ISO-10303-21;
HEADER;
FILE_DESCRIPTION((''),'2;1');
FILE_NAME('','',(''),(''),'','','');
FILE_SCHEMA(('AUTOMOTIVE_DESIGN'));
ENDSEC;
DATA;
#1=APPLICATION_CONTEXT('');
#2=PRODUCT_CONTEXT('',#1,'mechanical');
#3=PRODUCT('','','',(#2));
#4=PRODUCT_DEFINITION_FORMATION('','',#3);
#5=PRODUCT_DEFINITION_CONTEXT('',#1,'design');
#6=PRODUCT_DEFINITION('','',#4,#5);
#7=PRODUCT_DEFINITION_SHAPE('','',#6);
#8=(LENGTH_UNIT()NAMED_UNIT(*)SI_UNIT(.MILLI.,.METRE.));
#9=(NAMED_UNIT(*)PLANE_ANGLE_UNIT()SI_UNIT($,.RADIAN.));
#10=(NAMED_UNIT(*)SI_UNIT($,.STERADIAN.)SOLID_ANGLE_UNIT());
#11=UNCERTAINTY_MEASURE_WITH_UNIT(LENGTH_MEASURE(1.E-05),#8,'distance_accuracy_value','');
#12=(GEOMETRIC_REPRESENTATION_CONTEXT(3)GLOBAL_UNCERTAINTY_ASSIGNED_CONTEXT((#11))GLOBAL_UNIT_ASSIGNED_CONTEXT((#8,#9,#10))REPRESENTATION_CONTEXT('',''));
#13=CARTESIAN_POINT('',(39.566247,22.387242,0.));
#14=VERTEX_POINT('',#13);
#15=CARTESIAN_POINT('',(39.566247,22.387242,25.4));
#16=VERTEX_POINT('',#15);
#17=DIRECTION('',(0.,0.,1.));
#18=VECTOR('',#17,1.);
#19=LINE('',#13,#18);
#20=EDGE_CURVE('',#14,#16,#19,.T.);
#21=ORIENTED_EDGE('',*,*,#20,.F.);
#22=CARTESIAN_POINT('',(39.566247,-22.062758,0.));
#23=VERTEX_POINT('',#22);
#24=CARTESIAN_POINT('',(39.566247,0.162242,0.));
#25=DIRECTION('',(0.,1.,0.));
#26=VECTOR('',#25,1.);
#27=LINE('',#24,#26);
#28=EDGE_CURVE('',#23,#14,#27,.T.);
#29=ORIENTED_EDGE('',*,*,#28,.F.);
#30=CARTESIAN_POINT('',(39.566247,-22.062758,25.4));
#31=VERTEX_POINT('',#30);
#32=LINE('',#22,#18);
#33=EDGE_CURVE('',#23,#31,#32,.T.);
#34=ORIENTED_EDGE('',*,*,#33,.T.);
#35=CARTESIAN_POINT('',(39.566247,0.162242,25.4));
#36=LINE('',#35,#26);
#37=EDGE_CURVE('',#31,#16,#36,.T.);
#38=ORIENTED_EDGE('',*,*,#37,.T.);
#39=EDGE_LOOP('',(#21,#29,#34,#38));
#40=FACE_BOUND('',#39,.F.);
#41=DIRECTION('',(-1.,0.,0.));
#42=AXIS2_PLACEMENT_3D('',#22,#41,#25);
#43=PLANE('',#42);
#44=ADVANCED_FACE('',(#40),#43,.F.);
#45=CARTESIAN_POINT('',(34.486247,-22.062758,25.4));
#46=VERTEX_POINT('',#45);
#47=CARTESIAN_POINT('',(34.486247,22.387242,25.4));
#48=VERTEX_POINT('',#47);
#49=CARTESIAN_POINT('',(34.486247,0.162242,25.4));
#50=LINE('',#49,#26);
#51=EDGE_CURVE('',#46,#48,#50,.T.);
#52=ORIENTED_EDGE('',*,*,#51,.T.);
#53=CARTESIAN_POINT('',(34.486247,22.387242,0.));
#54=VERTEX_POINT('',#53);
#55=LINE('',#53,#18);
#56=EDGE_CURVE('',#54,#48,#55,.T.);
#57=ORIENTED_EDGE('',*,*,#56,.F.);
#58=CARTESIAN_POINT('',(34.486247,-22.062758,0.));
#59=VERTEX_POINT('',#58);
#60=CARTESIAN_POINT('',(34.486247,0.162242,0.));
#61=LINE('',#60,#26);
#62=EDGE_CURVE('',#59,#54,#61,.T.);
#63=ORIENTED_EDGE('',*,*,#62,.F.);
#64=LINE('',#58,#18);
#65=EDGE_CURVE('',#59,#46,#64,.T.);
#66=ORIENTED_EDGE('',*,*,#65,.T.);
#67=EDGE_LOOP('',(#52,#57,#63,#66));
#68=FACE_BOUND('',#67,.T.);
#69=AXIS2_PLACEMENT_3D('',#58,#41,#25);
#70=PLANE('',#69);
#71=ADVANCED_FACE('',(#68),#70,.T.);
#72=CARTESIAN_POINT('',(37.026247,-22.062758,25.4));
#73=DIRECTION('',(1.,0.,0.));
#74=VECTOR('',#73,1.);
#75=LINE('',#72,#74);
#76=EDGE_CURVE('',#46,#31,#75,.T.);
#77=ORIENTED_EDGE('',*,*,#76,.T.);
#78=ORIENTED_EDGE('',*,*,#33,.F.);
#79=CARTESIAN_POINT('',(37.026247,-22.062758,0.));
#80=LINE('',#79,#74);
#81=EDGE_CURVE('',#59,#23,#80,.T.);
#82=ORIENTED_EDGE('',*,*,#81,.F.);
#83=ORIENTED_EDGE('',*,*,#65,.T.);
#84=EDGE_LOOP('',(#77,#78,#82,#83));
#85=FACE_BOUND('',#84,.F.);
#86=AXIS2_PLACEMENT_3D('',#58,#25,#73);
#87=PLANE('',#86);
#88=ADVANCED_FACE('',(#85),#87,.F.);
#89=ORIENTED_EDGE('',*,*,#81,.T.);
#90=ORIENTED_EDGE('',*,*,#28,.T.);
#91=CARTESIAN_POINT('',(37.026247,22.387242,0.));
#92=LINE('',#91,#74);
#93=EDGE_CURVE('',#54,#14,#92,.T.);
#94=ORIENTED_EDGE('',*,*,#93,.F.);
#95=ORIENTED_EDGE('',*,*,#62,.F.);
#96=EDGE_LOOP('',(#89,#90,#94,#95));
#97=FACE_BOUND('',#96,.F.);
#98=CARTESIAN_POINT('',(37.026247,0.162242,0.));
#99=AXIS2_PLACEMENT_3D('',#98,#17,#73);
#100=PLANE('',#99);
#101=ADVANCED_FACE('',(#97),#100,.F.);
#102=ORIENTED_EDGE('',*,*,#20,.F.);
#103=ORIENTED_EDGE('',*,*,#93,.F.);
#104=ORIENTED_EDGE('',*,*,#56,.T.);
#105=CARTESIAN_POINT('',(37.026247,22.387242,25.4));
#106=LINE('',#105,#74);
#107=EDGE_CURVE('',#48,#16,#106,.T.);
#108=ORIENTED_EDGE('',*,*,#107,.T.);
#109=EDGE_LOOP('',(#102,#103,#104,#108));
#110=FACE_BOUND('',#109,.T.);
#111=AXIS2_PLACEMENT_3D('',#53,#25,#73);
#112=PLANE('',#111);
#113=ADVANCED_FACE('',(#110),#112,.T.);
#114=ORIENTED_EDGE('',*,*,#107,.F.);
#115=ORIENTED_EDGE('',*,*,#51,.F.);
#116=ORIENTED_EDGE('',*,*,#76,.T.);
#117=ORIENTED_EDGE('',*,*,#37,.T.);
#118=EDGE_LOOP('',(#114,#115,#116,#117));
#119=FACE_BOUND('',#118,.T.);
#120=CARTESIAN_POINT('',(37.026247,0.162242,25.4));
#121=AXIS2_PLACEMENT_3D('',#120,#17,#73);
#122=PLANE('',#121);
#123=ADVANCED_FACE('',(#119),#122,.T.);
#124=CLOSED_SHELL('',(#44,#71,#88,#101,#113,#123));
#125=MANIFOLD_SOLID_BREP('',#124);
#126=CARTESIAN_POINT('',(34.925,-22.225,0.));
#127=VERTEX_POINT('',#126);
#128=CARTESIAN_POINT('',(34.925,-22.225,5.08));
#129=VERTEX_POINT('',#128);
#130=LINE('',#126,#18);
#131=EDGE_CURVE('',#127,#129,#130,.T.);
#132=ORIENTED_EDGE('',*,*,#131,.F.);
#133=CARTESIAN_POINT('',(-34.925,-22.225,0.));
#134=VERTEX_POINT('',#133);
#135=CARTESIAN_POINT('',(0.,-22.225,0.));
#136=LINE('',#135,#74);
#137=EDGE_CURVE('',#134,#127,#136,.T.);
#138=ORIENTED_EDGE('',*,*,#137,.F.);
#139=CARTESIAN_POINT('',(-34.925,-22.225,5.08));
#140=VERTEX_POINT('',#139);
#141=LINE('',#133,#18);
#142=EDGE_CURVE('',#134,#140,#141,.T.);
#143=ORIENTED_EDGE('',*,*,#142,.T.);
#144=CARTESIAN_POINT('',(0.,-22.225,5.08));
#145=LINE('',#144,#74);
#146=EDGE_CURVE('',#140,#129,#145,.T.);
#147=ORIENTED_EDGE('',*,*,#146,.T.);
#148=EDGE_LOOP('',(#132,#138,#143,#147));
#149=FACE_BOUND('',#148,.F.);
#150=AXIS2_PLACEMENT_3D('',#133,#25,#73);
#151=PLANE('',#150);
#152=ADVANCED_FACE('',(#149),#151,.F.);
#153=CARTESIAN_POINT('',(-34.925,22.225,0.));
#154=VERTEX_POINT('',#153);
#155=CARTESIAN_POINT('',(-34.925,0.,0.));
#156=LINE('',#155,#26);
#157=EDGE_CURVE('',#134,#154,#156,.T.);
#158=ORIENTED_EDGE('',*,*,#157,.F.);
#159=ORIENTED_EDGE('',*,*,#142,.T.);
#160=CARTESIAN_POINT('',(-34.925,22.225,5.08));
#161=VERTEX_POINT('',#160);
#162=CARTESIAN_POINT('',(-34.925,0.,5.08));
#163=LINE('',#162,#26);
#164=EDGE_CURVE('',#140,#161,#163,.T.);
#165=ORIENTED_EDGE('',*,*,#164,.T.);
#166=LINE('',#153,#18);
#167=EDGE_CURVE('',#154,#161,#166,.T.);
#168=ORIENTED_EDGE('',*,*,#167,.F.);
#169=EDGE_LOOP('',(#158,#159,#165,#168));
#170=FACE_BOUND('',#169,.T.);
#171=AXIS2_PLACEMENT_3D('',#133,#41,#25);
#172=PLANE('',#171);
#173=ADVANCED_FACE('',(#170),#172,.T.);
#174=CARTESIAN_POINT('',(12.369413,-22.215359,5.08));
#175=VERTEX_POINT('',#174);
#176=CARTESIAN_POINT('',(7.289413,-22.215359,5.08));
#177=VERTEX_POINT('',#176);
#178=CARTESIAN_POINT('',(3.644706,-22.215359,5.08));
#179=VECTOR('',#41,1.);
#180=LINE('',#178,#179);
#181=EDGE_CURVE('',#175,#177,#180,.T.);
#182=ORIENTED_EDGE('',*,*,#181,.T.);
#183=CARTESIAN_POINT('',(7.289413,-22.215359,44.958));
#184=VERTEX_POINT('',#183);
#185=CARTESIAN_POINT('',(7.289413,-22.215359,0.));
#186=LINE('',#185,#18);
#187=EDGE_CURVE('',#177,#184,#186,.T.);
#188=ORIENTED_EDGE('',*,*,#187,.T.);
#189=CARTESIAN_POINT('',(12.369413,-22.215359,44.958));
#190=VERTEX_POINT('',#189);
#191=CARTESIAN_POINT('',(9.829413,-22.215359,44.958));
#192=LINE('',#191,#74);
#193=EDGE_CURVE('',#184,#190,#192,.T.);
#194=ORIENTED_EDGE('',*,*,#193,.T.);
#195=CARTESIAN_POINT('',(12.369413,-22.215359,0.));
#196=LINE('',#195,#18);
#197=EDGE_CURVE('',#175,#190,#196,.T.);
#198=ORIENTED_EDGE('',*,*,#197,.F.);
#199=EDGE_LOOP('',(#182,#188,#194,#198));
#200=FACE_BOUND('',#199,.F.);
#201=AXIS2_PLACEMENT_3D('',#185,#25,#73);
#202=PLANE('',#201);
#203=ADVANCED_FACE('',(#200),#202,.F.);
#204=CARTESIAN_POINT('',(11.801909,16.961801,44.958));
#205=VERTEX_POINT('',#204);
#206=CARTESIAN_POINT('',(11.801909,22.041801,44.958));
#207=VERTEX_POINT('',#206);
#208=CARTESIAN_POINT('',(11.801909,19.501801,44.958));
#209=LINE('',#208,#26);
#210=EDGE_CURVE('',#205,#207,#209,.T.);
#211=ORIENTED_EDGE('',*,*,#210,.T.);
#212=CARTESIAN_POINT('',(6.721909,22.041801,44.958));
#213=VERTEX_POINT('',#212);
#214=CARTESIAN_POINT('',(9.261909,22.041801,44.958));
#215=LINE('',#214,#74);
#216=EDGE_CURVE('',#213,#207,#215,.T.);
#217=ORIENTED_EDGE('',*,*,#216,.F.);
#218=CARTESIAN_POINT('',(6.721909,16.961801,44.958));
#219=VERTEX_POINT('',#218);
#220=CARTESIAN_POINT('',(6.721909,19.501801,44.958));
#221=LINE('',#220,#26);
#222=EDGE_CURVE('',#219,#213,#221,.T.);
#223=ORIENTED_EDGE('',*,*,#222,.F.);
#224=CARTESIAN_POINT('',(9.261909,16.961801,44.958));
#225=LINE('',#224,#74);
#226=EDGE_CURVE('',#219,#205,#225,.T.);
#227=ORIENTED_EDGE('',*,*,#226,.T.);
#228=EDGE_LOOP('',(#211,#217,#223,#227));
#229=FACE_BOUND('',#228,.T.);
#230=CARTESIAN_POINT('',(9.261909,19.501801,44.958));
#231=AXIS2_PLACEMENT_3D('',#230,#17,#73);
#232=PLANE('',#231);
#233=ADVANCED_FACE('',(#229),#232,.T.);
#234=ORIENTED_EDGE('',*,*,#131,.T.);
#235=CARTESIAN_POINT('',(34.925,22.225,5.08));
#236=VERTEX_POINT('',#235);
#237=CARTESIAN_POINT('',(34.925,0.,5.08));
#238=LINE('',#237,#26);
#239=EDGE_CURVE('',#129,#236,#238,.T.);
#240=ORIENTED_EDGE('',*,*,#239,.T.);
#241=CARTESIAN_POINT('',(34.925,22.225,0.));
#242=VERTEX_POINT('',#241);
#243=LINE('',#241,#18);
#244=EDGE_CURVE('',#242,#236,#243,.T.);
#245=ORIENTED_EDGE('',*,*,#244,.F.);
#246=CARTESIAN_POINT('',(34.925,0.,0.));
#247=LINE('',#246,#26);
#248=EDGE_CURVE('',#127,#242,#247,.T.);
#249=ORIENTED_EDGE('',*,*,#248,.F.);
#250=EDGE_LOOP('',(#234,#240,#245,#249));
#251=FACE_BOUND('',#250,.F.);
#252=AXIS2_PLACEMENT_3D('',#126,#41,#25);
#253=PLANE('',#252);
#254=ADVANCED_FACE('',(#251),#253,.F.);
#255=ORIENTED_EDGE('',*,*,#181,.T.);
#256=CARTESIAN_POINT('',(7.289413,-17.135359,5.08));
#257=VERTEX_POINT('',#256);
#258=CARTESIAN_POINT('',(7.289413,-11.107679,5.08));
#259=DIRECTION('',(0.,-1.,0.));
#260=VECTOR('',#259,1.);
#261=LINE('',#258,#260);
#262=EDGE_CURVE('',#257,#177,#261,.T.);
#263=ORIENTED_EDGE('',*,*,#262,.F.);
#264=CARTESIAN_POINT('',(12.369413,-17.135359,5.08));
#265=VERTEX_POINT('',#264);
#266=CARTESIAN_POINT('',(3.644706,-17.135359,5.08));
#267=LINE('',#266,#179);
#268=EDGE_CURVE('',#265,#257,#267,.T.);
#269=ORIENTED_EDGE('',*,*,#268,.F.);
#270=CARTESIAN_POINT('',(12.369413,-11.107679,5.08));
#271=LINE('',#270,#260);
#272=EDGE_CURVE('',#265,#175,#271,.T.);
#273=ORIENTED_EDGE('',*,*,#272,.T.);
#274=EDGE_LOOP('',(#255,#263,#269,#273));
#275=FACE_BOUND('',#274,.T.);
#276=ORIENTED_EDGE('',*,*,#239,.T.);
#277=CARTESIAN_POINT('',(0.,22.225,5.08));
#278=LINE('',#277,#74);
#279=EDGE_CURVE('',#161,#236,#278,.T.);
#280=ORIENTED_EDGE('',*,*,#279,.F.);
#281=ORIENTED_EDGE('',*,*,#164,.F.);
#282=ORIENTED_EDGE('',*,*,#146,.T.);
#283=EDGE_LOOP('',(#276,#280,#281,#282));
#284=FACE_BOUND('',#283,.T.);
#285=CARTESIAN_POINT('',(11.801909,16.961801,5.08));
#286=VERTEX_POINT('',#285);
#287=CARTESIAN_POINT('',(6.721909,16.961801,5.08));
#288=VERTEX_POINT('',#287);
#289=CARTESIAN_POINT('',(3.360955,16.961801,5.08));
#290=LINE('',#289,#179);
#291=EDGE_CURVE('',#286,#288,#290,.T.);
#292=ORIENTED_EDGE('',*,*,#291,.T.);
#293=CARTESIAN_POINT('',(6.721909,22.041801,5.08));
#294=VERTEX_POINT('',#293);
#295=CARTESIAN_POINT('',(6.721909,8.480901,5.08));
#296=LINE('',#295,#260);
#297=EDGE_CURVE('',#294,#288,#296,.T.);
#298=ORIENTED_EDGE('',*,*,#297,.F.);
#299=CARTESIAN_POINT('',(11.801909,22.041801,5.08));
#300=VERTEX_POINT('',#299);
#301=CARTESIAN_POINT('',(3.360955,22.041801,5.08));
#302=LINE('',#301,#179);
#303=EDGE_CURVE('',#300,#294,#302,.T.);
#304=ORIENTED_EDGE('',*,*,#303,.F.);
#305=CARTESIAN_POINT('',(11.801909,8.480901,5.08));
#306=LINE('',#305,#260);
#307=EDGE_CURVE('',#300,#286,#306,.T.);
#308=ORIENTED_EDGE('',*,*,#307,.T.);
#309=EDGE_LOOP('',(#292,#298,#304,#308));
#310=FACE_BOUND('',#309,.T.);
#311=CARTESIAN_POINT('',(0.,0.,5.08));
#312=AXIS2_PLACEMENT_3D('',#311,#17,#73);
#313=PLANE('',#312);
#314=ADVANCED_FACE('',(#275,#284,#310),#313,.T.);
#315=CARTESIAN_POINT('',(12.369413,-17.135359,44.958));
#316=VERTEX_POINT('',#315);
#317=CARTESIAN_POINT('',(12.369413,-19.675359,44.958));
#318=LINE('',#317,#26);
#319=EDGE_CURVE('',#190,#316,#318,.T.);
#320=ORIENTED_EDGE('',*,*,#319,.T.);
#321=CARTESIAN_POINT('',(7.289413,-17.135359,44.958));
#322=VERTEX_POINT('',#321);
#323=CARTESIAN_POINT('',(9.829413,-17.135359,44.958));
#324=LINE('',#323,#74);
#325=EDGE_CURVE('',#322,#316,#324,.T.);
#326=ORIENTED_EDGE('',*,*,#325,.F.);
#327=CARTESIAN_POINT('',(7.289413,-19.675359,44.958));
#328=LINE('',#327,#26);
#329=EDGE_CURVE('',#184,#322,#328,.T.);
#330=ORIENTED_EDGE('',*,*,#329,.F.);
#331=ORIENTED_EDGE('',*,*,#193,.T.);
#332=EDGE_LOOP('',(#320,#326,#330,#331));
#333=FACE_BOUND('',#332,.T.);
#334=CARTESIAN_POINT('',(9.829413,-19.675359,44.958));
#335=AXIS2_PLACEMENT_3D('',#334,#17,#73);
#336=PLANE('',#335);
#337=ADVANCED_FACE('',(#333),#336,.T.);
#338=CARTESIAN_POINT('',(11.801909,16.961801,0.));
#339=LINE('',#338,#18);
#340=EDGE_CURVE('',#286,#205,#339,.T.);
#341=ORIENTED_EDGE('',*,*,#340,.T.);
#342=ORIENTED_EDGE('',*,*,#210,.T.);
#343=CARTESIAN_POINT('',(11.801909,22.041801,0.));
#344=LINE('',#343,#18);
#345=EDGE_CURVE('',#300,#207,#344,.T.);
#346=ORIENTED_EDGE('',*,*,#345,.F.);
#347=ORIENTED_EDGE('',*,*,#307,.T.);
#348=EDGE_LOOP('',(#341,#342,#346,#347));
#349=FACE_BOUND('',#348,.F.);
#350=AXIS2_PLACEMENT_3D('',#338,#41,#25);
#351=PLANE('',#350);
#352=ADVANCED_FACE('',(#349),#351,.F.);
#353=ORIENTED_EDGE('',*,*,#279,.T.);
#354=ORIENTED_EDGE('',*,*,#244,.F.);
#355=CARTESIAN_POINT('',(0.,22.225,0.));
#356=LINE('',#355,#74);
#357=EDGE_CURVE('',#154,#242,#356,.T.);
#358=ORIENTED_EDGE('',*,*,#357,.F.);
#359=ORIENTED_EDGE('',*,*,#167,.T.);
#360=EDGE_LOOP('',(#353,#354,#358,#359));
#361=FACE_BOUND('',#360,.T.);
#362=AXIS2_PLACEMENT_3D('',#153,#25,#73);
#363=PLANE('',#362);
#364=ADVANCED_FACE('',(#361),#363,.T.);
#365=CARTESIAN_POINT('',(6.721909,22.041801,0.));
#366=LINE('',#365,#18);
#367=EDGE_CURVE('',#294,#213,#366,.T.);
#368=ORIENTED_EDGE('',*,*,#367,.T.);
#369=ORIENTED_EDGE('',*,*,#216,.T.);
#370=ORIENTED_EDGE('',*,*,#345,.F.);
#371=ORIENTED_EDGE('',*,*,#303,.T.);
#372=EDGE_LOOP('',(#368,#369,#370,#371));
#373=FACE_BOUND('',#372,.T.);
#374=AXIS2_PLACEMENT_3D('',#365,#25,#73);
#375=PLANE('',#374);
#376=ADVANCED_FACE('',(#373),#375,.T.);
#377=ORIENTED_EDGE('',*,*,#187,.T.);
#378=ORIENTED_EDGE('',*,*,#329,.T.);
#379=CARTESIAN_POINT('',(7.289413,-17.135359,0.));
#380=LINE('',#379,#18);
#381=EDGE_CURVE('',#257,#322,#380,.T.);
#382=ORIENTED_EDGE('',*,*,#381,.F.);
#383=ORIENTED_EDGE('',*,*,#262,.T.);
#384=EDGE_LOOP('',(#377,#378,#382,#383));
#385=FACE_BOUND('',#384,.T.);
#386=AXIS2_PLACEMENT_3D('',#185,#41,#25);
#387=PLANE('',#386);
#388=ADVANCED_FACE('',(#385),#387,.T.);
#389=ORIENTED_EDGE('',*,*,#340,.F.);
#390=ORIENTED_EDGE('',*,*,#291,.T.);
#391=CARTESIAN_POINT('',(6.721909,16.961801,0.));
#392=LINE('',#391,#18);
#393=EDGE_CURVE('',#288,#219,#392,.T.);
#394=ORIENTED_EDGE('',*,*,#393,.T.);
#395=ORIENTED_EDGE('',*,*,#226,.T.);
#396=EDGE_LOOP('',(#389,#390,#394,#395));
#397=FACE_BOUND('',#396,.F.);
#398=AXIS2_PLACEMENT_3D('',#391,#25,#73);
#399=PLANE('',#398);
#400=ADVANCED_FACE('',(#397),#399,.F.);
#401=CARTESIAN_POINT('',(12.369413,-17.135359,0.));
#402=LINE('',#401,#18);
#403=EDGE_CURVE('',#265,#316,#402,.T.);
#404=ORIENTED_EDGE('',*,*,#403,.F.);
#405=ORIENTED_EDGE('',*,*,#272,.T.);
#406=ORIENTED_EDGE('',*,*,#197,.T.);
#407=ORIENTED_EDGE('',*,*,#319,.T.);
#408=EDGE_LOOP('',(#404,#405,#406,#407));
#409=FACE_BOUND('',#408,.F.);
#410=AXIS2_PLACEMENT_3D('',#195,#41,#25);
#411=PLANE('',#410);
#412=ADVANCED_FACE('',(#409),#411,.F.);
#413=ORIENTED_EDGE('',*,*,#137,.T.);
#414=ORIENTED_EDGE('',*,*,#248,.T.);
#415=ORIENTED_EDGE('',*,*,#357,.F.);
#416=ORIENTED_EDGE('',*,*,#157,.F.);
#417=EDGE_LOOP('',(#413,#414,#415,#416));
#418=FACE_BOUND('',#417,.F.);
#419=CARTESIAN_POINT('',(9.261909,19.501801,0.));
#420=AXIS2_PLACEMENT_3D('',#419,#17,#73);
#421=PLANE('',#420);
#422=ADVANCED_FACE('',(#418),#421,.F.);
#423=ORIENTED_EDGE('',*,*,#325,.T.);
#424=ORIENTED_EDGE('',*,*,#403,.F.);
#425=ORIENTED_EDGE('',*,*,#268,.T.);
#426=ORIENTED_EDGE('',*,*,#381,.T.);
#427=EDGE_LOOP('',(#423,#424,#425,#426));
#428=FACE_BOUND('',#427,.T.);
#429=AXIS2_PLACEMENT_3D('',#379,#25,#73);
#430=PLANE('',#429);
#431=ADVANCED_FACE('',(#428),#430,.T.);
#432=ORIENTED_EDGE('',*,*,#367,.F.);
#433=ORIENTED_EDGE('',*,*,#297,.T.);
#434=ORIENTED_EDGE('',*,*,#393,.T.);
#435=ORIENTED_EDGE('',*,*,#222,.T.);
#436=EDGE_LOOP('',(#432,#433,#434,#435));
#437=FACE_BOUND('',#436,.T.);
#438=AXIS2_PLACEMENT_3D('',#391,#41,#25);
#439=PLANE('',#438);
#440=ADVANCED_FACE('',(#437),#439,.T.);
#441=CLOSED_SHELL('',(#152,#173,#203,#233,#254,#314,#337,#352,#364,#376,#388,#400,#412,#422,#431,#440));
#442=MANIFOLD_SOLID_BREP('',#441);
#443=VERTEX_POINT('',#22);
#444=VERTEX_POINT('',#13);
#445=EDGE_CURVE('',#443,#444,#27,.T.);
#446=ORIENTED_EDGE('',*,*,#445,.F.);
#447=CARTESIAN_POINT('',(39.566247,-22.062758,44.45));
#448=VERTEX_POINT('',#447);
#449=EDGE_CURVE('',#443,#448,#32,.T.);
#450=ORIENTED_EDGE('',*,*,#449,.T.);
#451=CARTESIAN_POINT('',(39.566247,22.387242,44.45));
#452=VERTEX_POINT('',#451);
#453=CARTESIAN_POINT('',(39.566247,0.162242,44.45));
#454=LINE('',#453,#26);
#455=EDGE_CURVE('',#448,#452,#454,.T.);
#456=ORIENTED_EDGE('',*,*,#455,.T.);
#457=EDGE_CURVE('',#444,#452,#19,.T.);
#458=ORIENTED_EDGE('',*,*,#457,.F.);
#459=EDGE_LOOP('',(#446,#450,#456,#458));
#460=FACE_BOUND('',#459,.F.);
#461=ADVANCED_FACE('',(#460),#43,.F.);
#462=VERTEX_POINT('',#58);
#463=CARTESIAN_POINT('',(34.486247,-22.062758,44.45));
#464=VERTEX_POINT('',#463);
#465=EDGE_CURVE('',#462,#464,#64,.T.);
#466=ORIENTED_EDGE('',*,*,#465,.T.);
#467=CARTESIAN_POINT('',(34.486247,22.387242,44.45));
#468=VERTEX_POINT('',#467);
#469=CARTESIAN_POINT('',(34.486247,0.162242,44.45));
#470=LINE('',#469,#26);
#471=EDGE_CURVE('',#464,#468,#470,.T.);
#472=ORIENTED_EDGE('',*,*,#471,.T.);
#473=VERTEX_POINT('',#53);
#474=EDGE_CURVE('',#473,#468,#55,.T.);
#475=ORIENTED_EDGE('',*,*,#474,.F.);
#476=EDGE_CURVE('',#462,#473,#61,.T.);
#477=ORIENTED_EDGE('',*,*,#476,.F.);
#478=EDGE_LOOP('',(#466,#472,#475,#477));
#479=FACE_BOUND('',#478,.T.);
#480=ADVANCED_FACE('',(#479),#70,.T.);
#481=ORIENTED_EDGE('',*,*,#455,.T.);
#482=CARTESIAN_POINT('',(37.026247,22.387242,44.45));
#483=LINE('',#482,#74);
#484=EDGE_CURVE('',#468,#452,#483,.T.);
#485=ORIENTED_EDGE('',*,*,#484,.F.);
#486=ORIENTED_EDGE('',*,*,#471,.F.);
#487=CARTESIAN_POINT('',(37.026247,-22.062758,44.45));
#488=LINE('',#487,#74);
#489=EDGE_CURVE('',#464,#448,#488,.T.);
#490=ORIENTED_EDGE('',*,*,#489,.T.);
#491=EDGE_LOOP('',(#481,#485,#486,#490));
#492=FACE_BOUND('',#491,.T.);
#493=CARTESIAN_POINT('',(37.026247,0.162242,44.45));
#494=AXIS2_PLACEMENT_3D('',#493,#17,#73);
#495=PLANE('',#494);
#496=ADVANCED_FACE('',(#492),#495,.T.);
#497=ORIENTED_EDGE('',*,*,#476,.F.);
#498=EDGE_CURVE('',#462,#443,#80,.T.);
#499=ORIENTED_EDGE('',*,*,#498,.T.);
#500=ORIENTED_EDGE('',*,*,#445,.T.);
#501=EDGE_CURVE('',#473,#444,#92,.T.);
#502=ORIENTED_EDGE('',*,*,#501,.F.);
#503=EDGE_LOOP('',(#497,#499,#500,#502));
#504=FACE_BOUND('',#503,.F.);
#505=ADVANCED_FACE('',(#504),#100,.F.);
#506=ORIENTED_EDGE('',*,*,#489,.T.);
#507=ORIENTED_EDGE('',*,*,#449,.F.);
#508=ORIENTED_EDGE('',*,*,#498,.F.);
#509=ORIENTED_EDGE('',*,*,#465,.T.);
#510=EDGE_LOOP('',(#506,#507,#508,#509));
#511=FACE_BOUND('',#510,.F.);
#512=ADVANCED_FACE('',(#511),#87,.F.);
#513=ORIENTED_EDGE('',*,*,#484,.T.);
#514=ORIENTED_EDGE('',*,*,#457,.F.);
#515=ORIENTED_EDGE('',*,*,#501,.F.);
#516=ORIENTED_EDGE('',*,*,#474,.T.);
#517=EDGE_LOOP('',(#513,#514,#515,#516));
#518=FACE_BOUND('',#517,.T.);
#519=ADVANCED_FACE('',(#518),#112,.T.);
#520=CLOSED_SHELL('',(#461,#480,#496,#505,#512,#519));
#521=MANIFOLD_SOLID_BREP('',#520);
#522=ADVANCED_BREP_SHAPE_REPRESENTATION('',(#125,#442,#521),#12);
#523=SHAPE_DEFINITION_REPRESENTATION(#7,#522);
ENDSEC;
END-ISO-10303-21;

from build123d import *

# Parameters (mm, degrees)
F0_W     = 69.85
F0_H     = 44.45
F1_DEPTH = 5.08
F2_W     = 5.08
F2_H     = 44.45
F3_DEPTH = 44.45
F4_DEPTH = 25.4
F5_W     = 5.08
F5_H     = 5.08
F6_DEPTH = 44.958
F7_W     = 5.08
F7_H     = 5.08
F8_DEPTH = 44.958


with BuildPart() as f1:
    # F0 (on Top) → F1 (new body)
    with BuildSketch(Plane.XY):
        Rectangle(F0_W, F0_H)
    extrude(amount=F1_DEPTH)

    # F5 (on Top) → F6 (join)
    with BuildSketch(Plane.XY):
        with Locations((9.829413, -19.675359)):
            Rectangle(F5_W, F5_H)
    extrude(amount=F6_DEPTH)

    # F7 (on Top) + F5 (on Top) → F8 (join)
    with BuildSketch(Plane.XY):
        with Locations((9.261909, 19.501801)):
            Rectangle(F7_W, F7_H)
    with BuildSketch(Plane.XY):
        with Locations((9.829413, -19.675359)):
            Rectangle(F5_W, F5_H)
    extrude(amount=F8_DEPTH)


with BuildPart() as f3:
    # F2 (on Top) → F3 (new body)
    with BuildSketch(Plane.XY):
        with Locations((37.026247, 0.162242)):
            Rectangle(F2_W, F2_H)
    extrude(amount=F3_DEPTH)


with BuildPart() as f4:
    # F2 (on Top) → F4 (new body)
    with BuildSketch(Plane.XY):
        with Locations((37.026247, 0.162242)):
            Rectangle(F2_W, F2_H)
    extrude(amount=F4_DEPTH)


solid = Compound([f1.part, f3.part, f4.part])
